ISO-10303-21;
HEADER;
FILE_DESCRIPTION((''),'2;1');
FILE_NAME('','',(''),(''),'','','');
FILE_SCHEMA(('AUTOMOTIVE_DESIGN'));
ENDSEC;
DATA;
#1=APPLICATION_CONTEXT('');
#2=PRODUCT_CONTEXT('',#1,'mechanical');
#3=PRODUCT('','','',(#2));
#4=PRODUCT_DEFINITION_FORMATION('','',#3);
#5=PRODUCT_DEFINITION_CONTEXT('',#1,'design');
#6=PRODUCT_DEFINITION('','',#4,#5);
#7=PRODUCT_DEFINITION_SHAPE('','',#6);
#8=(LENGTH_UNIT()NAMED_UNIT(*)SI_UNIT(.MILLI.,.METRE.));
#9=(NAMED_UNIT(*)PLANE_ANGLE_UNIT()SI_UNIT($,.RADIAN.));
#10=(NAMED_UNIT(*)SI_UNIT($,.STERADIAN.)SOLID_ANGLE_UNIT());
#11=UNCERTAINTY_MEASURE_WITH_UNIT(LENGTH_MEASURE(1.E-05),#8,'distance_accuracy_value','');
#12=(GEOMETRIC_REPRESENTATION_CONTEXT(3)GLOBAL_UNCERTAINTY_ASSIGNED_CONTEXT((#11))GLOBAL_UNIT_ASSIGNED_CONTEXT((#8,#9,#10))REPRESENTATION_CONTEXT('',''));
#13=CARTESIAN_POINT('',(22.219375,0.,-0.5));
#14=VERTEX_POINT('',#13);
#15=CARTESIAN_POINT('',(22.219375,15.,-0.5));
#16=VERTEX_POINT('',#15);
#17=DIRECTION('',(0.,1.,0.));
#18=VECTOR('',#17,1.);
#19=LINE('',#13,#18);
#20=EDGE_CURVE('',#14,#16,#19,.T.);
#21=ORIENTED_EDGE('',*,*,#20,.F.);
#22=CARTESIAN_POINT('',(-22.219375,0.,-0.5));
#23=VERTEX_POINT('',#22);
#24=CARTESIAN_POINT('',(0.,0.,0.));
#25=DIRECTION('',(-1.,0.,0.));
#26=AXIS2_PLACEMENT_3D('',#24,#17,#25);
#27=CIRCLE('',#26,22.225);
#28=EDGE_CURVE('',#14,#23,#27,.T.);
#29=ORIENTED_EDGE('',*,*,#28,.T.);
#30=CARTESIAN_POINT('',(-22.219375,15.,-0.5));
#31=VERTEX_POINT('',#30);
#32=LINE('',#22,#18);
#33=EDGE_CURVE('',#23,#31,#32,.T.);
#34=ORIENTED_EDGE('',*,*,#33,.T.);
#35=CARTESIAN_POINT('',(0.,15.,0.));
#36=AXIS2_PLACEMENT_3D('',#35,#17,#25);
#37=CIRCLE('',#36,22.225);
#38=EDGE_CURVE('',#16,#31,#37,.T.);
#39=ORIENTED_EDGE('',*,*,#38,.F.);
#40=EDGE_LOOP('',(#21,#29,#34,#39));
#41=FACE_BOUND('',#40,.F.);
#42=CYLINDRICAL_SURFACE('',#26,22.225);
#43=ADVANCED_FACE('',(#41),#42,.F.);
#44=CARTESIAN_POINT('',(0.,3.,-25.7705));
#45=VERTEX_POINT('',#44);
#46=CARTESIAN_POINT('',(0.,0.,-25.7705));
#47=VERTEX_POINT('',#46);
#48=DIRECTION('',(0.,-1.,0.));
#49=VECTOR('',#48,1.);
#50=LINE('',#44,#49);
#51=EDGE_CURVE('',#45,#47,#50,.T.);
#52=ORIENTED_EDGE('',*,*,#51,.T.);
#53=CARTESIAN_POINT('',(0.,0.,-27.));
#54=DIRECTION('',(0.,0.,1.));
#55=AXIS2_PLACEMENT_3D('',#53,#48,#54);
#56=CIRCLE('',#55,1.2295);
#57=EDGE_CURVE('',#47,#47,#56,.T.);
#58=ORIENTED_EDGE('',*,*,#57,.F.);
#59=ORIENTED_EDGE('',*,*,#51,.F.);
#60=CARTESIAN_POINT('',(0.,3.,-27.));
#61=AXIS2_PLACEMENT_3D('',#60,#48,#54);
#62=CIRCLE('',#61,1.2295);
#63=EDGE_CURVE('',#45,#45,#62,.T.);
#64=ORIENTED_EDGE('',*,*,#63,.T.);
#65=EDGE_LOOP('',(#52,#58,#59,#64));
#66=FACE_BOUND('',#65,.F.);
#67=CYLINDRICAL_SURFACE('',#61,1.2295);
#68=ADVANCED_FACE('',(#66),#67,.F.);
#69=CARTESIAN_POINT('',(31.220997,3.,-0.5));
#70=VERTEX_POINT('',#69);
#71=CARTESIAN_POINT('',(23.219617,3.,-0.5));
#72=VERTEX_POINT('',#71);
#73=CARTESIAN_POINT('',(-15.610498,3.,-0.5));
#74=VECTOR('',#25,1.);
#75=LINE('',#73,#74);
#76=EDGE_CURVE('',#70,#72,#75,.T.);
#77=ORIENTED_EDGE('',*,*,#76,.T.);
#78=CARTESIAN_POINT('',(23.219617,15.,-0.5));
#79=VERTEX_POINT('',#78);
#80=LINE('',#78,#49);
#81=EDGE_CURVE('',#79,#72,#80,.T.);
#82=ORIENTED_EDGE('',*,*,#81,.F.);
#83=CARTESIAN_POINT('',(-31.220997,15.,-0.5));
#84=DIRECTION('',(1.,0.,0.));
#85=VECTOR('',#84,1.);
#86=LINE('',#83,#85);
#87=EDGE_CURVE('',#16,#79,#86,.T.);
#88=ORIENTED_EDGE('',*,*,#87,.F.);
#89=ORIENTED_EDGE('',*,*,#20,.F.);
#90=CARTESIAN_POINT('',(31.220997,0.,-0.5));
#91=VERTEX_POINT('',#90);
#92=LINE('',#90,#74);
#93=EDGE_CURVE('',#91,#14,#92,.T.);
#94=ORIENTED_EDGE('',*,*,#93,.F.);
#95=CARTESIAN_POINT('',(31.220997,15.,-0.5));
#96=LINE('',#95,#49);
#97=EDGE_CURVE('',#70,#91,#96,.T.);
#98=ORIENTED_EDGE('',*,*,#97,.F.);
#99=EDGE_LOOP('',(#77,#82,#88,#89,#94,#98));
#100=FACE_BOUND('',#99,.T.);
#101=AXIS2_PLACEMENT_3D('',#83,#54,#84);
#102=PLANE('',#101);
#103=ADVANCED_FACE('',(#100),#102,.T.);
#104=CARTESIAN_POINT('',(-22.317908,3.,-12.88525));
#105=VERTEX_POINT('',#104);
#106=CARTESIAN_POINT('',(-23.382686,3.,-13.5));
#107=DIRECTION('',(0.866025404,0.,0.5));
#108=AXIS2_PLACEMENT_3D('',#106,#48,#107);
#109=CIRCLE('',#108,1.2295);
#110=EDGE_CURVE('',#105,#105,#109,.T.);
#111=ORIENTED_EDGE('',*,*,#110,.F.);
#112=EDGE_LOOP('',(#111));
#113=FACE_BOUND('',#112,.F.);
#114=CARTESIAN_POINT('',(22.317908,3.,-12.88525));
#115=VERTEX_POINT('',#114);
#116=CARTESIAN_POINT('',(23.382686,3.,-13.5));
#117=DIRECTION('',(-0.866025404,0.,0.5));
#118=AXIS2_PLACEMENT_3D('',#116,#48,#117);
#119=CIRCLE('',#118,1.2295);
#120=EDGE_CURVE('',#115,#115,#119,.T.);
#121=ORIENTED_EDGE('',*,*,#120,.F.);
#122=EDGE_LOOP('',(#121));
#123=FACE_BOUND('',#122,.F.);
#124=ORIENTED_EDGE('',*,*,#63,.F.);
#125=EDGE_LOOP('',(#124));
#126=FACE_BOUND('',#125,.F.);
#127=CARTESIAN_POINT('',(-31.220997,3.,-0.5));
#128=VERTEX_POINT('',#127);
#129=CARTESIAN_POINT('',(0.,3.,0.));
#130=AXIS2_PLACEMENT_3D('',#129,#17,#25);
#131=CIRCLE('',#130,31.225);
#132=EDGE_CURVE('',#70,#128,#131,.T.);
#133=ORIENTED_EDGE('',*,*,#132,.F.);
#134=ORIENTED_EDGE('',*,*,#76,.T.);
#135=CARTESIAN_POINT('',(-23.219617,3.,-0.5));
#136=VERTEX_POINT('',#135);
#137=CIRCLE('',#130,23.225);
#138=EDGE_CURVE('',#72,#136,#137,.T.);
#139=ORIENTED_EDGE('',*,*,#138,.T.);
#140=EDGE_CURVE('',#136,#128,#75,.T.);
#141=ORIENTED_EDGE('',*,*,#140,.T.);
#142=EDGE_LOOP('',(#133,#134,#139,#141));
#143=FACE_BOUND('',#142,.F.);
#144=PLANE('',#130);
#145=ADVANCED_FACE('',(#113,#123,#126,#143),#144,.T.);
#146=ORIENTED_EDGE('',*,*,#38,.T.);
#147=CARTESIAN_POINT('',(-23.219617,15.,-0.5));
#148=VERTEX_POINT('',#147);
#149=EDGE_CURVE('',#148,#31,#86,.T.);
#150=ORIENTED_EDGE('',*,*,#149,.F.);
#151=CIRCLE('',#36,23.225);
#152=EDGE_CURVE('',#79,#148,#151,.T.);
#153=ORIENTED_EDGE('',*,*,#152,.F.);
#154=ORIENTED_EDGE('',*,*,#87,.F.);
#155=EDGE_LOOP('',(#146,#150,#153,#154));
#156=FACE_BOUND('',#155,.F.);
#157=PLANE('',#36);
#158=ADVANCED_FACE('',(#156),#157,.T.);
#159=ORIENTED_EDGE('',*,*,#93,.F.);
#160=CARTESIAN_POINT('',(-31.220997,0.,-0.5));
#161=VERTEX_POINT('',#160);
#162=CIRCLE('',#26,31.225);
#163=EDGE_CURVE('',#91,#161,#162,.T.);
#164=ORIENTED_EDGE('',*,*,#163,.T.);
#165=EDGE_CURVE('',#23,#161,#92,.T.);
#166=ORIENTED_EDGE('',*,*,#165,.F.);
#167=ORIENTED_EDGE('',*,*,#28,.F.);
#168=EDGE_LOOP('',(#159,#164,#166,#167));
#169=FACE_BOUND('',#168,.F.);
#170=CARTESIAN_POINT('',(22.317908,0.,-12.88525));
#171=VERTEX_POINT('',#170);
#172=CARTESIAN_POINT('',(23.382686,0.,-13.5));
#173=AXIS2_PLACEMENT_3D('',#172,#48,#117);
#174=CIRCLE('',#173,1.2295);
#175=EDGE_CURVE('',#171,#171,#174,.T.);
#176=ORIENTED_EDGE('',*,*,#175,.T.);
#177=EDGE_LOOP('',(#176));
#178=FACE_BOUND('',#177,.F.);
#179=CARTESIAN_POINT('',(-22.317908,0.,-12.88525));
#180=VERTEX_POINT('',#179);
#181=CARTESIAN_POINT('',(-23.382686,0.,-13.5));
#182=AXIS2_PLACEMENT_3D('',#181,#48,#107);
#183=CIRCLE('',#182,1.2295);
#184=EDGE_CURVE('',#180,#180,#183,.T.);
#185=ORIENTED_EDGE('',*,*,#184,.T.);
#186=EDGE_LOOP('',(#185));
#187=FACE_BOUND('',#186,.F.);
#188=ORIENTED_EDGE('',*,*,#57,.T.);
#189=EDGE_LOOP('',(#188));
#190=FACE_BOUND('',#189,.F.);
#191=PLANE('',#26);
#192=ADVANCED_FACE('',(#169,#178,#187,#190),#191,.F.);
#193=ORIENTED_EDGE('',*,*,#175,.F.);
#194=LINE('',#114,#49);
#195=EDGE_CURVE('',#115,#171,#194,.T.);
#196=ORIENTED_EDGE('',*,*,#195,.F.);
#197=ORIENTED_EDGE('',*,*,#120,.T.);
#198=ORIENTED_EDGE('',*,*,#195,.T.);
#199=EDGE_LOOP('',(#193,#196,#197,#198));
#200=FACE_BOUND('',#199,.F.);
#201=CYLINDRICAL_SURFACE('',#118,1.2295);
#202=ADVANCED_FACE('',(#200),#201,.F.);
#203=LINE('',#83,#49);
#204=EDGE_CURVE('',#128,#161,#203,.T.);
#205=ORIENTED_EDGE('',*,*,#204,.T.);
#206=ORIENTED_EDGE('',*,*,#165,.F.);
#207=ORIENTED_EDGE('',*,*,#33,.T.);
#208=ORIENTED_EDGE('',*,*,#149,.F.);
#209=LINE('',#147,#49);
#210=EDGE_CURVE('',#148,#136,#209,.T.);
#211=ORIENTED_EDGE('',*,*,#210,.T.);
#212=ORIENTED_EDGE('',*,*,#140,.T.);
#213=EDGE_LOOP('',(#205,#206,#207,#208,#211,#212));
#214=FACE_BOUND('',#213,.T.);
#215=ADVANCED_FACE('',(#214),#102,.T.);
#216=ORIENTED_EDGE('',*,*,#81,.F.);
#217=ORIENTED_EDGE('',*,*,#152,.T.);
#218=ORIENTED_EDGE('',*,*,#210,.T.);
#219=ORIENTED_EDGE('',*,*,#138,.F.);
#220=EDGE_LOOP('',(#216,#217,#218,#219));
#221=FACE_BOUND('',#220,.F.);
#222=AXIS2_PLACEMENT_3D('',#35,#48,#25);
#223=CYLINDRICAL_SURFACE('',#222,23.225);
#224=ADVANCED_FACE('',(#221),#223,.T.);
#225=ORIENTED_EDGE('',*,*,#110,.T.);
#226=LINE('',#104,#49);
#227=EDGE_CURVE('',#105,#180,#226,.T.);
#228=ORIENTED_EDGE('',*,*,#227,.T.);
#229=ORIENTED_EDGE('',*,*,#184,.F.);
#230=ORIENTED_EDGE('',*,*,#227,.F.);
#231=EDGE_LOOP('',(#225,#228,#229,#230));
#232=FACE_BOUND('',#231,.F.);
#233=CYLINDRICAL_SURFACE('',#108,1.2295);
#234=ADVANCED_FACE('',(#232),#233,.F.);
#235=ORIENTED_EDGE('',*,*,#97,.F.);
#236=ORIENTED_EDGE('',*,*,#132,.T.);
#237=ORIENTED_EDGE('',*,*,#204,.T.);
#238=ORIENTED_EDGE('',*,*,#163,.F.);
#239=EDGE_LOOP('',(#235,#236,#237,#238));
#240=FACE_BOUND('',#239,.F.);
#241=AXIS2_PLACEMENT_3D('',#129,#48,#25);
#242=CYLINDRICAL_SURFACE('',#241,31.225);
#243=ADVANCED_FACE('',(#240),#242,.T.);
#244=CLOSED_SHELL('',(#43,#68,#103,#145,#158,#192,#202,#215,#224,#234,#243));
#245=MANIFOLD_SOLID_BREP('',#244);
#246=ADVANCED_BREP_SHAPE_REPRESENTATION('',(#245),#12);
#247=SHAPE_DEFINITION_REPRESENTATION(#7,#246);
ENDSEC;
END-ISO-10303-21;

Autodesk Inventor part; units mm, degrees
ref_plane "YZ Plane" through (0, 0, 0) normal (1, 0, 0) x (0, 1, 0)
ref_plane "XZ Plane" through (0, 0, 0) normal (0, 1, 0) x (-1, 0, 0)
ref_plane "XY Plane" through (0, 0, 0) normal (0, 0, 1) x (1, 0, 0)
sketch "Sketch1" plane through (0, 0, 0) normal (0, 0, 1) x (1, 0, 0)
  line L0 (-31.225, 0) -> (-22.225, 0)
  line L1 (-22.225, 0) -> (-22.225, 15)
  line L2 (-22.225, 15) -> (-23.225, 15)
  line L3 (-23.225, 15) -> (-23.225, 3)
  line L4 (-23.225, 3) -> (-31.225, 3)
  line L5 (-31.225, 3) -> (-31.225, 0)
  line L6 (0, -3) -> (0, 18) projected
  point P0 (0, 0)
  dimension "d0" = 3
  dimension "d1" = 1
  dimension "d2" = 15
  dimension "d3" = 22.225
  dimension "d17" = 9
revolve "Revolution1" add sketch "Sketch1" angle 360 about axis through (0, -10, 0) along (0, 1, 0)
sketch "Sketch2" plane through (0, 3, 0) normal (0, 1, 0) x (1, 0, 0)
  point P0 (0, 0)
  point P1 (0, 27)
  dimension "d6" = 27
hole "Hole1" at (0, 3, -27) direction (0, -1, 0) diameter 2.459 end through all thread size "M3x0.5" class "6H" standard "ISO Metric profile"
sketch "Sketch3" plane through (0, 15, 0) normal (0, 1, 0) x (1, 0, 0)
  line L0 (-31.225, 0.5) -> (31.225, 0.5)
  line L1 (31.225, 0.5) -> (31.225, -31.225)
  line L2 (31.225, -31.225) -> (-31.225, -31.225)
  line L3 (-31.225, -31.225) -> (-31.225, 0.5)
  circle A0 centre (0, 0) radius 31.225 projected
  circle A1 centre (0, 0) radius 23.225 projected
  point P0 (31.225, 0)
  point P1 (31.221, 0.5)
  point P2 (-31.221, 0.5)
  point P3 (-31.225, 0)
  point P4 (0, -31.225)
  point P5 (23.2196, 0.5)
  point P6 (-23.2196, 0.5)
  dimension "d14" = 0.5
extrude "Extrusion1" cut sketch "Sketch3" against normal blind 15 contours L0 A1 A0 | A0 L2 L3 | L0 A1 | A0 L1 L2 picked at (-27.077, -8.535) picked at (5.7691, -4.8291)
pattern_circular "Circular Pattern1" count 6 over 360 about axis through (0, 7.5, 0) along (0, 1, 0) of "Hole1"
properties part number "LowerClamp" material "Brass, Soft Yellow"
